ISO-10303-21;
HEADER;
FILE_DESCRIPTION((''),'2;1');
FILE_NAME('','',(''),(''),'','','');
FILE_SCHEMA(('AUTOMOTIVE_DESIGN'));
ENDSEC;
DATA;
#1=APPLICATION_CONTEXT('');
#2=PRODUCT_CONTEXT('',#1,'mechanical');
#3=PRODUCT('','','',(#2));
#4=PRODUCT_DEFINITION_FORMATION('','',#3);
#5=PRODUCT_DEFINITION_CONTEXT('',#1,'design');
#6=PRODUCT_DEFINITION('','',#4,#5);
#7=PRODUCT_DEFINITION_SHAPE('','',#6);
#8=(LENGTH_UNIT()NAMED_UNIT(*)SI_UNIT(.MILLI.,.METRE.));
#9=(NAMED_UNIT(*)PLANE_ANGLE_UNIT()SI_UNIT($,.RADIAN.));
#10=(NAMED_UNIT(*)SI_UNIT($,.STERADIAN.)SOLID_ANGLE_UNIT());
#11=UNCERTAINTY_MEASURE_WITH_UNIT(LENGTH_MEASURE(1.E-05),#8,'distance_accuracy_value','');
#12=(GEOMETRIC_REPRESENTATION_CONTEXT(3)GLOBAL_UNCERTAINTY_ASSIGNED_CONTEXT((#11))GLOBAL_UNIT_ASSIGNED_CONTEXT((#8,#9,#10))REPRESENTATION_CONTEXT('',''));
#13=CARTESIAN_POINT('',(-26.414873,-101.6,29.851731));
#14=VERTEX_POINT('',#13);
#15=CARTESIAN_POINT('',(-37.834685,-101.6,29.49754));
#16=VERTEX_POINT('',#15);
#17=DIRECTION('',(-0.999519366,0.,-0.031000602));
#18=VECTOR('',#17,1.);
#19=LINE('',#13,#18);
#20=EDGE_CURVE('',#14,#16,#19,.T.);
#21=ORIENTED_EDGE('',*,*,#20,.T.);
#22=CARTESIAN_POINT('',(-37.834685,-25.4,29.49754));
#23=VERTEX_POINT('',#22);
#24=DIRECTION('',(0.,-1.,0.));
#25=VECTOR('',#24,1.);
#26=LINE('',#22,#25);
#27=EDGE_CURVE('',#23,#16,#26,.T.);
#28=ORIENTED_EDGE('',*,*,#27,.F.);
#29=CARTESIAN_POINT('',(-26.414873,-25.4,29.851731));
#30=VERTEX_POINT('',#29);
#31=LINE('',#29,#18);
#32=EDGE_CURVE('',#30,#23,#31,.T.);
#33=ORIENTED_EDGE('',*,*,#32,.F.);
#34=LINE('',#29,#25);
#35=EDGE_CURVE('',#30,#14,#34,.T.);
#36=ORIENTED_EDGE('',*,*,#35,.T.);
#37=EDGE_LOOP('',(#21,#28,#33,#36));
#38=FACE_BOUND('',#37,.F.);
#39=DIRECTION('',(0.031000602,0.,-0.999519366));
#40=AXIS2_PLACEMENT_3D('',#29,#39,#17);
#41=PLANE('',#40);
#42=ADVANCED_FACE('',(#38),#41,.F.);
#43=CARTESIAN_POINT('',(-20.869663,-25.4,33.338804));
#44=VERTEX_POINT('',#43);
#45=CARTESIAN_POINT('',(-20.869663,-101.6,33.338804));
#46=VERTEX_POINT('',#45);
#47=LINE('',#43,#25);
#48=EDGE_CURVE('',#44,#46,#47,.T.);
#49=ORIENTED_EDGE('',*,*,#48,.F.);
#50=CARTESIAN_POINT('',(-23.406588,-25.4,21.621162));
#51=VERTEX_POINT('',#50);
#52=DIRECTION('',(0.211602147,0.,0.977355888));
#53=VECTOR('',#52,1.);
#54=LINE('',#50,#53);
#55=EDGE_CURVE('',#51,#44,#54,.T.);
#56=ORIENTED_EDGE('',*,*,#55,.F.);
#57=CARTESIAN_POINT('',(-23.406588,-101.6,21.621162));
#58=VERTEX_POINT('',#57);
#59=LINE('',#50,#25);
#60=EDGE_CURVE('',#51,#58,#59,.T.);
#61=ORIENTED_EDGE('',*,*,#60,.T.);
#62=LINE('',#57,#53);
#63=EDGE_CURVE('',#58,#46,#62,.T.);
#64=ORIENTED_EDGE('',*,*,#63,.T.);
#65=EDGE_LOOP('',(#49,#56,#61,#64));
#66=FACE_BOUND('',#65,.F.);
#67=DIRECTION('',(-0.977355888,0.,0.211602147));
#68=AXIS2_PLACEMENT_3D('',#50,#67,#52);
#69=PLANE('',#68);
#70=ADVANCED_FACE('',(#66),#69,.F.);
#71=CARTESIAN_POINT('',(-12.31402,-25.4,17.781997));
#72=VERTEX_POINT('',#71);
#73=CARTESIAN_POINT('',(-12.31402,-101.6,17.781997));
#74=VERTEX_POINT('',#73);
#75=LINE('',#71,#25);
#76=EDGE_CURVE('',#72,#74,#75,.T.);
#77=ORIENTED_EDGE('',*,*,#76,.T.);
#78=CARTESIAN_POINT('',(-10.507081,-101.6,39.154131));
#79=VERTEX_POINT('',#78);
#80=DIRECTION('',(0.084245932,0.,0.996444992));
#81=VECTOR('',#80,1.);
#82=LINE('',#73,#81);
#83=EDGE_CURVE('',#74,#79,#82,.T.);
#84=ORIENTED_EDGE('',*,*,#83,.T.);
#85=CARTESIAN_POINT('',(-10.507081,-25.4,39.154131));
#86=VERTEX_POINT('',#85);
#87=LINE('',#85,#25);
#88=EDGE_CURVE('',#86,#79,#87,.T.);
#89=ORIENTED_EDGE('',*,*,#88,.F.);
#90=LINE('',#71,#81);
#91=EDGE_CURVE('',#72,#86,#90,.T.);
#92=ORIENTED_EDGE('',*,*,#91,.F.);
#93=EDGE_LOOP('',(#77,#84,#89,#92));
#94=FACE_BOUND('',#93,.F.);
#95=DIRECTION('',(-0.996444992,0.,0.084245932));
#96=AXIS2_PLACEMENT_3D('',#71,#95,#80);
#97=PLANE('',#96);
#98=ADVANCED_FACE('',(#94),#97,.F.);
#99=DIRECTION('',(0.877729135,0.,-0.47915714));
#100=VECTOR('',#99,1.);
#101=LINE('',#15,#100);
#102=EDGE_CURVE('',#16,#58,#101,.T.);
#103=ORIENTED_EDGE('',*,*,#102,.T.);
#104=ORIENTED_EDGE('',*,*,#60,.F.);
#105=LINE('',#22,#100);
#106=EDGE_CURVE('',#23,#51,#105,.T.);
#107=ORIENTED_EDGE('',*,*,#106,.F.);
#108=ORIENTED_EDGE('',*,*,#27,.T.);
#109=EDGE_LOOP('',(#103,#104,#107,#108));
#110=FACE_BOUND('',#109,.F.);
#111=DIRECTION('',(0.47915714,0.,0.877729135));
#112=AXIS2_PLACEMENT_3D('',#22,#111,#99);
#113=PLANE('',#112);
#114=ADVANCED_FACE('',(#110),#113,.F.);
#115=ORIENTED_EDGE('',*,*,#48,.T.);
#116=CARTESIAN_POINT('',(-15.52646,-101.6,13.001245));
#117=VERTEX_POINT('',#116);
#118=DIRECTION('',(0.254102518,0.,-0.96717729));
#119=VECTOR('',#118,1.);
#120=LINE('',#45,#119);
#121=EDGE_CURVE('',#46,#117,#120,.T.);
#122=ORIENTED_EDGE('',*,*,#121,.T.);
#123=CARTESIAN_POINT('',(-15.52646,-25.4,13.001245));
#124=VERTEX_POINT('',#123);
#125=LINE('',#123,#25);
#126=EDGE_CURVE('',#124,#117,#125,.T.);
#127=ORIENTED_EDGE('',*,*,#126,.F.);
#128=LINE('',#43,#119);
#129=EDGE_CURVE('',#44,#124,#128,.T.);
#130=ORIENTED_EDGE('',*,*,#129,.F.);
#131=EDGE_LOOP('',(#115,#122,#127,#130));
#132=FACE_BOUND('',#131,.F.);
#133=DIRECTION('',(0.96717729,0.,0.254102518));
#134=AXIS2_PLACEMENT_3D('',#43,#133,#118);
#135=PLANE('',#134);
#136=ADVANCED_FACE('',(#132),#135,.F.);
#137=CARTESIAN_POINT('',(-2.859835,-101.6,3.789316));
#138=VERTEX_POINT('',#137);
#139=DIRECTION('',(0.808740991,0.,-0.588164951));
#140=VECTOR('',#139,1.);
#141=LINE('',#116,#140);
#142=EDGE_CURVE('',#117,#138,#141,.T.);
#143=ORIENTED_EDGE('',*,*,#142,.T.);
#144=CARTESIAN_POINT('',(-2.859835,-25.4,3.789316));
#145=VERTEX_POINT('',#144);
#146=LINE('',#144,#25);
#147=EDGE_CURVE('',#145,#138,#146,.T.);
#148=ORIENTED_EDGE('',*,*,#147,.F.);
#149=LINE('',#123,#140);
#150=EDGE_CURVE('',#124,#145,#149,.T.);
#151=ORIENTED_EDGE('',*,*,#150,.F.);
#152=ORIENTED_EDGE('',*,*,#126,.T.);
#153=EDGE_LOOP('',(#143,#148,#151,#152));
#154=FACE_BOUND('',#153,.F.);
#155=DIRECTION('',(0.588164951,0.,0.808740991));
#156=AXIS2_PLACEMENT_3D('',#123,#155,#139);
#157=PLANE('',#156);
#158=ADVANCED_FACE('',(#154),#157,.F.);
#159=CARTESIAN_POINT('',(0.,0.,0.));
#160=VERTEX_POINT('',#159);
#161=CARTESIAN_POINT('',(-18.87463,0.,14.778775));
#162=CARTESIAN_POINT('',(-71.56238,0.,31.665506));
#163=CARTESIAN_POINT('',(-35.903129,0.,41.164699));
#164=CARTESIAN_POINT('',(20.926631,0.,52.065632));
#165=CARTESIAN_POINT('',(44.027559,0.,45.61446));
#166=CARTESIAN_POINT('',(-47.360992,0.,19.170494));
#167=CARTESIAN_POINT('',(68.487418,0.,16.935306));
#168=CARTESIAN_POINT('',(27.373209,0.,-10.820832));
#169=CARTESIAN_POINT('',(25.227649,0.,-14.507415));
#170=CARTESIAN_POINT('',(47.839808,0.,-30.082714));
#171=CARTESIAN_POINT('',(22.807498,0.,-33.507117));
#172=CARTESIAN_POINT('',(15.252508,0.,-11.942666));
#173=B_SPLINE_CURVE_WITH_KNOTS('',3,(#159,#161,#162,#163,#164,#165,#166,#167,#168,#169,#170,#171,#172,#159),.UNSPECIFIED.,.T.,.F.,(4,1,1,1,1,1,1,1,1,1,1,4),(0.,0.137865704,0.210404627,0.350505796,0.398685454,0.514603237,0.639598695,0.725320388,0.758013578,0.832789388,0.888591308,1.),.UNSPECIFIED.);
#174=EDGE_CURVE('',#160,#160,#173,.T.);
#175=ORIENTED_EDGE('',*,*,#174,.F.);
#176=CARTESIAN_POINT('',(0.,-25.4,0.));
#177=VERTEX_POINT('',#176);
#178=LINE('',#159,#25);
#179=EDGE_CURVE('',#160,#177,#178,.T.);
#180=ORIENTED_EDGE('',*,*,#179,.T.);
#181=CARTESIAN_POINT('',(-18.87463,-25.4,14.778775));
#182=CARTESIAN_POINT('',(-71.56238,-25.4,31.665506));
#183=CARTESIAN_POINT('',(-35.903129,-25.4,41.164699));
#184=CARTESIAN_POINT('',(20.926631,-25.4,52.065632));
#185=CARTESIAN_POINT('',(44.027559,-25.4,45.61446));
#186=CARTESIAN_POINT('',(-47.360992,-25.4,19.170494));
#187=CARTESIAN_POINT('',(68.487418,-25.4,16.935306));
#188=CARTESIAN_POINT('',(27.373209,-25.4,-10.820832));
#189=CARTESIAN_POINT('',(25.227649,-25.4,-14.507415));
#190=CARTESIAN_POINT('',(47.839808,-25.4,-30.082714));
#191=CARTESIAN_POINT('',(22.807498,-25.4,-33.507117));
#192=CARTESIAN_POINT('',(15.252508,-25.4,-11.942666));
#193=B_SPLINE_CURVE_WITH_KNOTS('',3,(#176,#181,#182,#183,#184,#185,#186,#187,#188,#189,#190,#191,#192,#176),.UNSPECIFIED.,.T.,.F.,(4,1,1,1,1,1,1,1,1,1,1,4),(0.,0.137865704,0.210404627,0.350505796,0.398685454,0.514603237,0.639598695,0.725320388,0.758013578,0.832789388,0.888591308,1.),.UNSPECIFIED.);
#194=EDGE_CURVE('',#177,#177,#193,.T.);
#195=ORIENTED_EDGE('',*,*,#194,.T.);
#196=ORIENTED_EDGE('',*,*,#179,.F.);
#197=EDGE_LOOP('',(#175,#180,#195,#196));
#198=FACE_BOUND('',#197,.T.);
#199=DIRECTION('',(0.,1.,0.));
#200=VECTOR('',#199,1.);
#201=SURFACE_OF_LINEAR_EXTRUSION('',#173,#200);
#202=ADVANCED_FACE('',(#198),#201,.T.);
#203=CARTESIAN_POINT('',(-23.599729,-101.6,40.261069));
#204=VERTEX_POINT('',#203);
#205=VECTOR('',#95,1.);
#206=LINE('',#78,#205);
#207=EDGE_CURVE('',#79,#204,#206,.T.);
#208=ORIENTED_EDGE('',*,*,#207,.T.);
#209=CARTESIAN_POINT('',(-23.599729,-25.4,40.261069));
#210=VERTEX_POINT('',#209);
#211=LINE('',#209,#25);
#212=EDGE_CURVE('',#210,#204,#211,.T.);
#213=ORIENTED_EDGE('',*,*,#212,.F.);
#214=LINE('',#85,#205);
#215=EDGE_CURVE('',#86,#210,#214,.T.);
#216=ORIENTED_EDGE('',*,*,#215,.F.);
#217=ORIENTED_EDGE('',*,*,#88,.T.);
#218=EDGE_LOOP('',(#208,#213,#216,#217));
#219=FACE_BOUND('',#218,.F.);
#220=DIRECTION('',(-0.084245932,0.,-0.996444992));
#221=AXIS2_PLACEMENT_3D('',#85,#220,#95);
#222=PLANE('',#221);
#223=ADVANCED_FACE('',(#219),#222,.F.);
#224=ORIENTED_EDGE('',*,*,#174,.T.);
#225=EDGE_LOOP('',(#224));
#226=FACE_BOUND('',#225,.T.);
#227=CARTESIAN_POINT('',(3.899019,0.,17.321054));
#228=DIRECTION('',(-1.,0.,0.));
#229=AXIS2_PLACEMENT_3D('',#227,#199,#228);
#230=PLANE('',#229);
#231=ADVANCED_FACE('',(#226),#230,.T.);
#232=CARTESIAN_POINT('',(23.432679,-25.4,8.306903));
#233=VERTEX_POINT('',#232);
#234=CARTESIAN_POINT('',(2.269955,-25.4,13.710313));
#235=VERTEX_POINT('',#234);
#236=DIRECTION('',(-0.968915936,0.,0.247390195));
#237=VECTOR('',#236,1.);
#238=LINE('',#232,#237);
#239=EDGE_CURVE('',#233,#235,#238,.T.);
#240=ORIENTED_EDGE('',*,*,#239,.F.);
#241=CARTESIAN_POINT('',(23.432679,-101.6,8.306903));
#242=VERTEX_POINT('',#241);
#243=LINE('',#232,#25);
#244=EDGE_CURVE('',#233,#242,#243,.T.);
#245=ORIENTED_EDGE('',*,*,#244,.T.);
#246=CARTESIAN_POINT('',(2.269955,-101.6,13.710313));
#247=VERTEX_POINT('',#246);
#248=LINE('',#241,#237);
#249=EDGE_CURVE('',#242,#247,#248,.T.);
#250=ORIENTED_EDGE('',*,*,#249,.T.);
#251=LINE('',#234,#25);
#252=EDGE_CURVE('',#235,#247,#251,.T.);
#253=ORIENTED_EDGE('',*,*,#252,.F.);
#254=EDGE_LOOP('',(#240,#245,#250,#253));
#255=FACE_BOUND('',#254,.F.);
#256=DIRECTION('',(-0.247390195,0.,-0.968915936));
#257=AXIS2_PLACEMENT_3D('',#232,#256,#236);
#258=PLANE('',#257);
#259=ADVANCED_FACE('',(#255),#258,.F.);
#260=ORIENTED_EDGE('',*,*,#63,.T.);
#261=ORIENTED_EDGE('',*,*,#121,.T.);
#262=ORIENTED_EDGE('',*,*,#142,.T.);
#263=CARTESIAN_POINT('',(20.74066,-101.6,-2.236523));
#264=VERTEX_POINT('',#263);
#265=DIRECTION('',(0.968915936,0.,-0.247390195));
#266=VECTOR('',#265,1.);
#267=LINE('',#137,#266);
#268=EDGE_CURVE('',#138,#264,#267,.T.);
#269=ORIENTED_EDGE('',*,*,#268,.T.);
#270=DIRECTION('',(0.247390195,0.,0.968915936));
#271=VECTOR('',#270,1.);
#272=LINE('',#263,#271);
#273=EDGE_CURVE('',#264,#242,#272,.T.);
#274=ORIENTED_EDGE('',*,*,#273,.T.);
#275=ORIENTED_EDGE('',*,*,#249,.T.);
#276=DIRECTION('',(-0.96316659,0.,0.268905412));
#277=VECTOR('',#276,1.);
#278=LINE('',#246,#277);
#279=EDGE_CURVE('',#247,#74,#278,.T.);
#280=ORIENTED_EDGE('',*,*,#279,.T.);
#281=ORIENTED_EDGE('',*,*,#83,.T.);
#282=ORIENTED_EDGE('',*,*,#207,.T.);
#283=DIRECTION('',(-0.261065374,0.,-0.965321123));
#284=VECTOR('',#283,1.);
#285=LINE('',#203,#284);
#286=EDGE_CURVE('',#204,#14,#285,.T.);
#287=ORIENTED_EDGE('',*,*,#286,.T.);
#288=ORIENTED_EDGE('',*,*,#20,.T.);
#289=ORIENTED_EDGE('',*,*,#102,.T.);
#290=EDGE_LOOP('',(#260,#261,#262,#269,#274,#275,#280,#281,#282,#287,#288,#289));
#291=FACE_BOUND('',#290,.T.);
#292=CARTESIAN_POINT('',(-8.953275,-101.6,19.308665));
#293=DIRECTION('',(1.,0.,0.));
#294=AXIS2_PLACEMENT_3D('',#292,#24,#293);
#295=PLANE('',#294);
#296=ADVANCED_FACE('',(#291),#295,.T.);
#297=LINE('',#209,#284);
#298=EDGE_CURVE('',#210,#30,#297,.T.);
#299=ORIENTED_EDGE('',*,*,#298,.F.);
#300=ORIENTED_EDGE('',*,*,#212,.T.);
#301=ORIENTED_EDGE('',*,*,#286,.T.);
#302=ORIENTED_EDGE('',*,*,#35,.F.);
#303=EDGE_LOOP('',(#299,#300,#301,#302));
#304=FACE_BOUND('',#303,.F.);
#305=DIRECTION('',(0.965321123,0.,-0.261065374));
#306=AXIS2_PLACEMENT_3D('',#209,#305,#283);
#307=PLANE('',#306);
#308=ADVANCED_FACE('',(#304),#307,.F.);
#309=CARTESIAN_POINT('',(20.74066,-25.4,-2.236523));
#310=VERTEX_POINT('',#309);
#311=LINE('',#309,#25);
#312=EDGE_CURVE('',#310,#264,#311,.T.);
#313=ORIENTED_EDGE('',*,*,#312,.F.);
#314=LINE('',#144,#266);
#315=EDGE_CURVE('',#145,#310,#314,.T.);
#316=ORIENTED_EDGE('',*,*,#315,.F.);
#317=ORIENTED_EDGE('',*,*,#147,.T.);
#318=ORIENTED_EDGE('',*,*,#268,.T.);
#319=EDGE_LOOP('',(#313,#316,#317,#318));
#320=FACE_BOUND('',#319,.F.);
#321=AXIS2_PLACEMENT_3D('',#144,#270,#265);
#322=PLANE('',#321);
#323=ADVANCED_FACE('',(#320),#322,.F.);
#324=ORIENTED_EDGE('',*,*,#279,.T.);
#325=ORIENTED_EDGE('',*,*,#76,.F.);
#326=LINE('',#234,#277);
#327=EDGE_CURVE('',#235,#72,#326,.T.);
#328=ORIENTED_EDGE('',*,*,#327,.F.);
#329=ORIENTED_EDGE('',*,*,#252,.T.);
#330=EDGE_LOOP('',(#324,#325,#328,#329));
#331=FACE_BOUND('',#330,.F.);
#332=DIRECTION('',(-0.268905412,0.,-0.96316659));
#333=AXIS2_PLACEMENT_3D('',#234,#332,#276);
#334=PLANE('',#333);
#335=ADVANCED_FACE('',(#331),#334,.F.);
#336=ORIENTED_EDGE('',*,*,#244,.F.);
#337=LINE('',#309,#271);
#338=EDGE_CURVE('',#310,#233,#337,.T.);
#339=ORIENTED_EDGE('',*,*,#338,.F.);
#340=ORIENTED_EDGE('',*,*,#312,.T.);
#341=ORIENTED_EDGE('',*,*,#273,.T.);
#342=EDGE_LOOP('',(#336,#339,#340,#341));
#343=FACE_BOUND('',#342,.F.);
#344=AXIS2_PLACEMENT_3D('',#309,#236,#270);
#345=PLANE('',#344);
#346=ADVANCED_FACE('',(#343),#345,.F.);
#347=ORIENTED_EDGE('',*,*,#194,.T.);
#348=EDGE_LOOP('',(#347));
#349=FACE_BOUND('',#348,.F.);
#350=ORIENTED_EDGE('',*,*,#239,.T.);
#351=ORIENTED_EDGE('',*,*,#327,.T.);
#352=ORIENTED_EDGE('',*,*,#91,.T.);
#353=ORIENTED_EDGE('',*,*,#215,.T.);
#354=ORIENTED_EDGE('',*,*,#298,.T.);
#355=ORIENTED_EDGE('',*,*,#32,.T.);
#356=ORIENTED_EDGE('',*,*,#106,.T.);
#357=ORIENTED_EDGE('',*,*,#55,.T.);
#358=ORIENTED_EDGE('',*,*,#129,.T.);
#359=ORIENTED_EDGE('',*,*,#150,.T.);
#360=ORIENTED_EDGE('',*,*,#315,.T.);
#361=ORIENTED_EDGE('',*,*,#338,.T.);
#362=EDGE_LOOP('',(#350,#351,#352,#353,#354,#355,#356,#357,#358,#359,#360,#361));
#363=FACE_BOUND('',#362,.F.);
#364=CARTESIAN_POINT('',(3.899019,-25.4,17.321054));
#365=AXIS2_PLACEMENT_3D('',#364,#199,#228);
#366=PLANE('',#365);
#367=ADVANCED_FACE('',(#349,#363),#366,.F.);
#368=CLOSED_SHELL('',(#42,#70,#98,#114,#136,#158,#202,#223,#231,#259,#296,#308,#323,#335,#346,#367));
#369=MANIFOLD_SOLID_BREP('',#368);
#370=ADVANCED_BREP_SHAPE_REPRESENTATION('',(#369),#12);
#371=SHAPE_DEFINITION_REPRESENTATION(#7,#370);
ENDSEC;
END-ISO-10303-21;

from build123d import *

# Parameters (mm, degrees)
F1_DEPTH = 25.4
F3_DEPTH = 76.2


with BuildPart() as f1:
    # F0 (on Front) → F1 (new body)
    with BuildSketch(Plane.XZ):
        with BuildLine():
            add(Edge.make_bspline(
                [(0, 0), (-18.8746298502, 14.7787753159), (-71.5623803112, 31.6655060524), (-35.903128647, 41.1646987631), (20.9266307508, 52.0656321274), (44.0275590881, 45.614460323), (-47.3609917491, 19.1704939117), (68.4874183168, 16.9353061673), (27.3732091132, -10.8208319436), (25.2276488703, -14.5074154141), (47.8398081602, -30.0827144468), (22.8074982336, -33.5071173951), (15.2525084796, -11.9426657694), (0, 0)],
                knots=[0, 0, 0, 0, 0.1378657045, 0.2104046268, 0.350505796, 0.3986854545, 0.514603237, 0.6395986949, 0.7253203875, 0.7580135781, 0.832789388, 0.8885913078, 1, 1, 1, 1], degree=3))
        make_face()
    extrude(amount=F1_DEPTH)

    # F2 (on face) → F3 (join)
    with BuildSketch(Plane.XZ.offset(25.4)):
        Polygon((-26.4148730785, 29.8517309129), (-37.8346852958, 29.4975396246), (-23.4065875411, 21.6211620718), (-20.8696629852, 33.338803798), (-15.5264595523, 13.0012445152), (-2.8598352801, 3.7893156987), (20.7406599075, -2.236522967), (23.4326790062, 8.3069029875), (2.2699554419, 13.7103132512), (-12.3140197247, 17.7819970995), (-10.507080704, 39.1541309655), (-23.5997294439, 40.2610685339), align=None)
    extrude(amount=F3_DEPTH)


solid = f1.part
